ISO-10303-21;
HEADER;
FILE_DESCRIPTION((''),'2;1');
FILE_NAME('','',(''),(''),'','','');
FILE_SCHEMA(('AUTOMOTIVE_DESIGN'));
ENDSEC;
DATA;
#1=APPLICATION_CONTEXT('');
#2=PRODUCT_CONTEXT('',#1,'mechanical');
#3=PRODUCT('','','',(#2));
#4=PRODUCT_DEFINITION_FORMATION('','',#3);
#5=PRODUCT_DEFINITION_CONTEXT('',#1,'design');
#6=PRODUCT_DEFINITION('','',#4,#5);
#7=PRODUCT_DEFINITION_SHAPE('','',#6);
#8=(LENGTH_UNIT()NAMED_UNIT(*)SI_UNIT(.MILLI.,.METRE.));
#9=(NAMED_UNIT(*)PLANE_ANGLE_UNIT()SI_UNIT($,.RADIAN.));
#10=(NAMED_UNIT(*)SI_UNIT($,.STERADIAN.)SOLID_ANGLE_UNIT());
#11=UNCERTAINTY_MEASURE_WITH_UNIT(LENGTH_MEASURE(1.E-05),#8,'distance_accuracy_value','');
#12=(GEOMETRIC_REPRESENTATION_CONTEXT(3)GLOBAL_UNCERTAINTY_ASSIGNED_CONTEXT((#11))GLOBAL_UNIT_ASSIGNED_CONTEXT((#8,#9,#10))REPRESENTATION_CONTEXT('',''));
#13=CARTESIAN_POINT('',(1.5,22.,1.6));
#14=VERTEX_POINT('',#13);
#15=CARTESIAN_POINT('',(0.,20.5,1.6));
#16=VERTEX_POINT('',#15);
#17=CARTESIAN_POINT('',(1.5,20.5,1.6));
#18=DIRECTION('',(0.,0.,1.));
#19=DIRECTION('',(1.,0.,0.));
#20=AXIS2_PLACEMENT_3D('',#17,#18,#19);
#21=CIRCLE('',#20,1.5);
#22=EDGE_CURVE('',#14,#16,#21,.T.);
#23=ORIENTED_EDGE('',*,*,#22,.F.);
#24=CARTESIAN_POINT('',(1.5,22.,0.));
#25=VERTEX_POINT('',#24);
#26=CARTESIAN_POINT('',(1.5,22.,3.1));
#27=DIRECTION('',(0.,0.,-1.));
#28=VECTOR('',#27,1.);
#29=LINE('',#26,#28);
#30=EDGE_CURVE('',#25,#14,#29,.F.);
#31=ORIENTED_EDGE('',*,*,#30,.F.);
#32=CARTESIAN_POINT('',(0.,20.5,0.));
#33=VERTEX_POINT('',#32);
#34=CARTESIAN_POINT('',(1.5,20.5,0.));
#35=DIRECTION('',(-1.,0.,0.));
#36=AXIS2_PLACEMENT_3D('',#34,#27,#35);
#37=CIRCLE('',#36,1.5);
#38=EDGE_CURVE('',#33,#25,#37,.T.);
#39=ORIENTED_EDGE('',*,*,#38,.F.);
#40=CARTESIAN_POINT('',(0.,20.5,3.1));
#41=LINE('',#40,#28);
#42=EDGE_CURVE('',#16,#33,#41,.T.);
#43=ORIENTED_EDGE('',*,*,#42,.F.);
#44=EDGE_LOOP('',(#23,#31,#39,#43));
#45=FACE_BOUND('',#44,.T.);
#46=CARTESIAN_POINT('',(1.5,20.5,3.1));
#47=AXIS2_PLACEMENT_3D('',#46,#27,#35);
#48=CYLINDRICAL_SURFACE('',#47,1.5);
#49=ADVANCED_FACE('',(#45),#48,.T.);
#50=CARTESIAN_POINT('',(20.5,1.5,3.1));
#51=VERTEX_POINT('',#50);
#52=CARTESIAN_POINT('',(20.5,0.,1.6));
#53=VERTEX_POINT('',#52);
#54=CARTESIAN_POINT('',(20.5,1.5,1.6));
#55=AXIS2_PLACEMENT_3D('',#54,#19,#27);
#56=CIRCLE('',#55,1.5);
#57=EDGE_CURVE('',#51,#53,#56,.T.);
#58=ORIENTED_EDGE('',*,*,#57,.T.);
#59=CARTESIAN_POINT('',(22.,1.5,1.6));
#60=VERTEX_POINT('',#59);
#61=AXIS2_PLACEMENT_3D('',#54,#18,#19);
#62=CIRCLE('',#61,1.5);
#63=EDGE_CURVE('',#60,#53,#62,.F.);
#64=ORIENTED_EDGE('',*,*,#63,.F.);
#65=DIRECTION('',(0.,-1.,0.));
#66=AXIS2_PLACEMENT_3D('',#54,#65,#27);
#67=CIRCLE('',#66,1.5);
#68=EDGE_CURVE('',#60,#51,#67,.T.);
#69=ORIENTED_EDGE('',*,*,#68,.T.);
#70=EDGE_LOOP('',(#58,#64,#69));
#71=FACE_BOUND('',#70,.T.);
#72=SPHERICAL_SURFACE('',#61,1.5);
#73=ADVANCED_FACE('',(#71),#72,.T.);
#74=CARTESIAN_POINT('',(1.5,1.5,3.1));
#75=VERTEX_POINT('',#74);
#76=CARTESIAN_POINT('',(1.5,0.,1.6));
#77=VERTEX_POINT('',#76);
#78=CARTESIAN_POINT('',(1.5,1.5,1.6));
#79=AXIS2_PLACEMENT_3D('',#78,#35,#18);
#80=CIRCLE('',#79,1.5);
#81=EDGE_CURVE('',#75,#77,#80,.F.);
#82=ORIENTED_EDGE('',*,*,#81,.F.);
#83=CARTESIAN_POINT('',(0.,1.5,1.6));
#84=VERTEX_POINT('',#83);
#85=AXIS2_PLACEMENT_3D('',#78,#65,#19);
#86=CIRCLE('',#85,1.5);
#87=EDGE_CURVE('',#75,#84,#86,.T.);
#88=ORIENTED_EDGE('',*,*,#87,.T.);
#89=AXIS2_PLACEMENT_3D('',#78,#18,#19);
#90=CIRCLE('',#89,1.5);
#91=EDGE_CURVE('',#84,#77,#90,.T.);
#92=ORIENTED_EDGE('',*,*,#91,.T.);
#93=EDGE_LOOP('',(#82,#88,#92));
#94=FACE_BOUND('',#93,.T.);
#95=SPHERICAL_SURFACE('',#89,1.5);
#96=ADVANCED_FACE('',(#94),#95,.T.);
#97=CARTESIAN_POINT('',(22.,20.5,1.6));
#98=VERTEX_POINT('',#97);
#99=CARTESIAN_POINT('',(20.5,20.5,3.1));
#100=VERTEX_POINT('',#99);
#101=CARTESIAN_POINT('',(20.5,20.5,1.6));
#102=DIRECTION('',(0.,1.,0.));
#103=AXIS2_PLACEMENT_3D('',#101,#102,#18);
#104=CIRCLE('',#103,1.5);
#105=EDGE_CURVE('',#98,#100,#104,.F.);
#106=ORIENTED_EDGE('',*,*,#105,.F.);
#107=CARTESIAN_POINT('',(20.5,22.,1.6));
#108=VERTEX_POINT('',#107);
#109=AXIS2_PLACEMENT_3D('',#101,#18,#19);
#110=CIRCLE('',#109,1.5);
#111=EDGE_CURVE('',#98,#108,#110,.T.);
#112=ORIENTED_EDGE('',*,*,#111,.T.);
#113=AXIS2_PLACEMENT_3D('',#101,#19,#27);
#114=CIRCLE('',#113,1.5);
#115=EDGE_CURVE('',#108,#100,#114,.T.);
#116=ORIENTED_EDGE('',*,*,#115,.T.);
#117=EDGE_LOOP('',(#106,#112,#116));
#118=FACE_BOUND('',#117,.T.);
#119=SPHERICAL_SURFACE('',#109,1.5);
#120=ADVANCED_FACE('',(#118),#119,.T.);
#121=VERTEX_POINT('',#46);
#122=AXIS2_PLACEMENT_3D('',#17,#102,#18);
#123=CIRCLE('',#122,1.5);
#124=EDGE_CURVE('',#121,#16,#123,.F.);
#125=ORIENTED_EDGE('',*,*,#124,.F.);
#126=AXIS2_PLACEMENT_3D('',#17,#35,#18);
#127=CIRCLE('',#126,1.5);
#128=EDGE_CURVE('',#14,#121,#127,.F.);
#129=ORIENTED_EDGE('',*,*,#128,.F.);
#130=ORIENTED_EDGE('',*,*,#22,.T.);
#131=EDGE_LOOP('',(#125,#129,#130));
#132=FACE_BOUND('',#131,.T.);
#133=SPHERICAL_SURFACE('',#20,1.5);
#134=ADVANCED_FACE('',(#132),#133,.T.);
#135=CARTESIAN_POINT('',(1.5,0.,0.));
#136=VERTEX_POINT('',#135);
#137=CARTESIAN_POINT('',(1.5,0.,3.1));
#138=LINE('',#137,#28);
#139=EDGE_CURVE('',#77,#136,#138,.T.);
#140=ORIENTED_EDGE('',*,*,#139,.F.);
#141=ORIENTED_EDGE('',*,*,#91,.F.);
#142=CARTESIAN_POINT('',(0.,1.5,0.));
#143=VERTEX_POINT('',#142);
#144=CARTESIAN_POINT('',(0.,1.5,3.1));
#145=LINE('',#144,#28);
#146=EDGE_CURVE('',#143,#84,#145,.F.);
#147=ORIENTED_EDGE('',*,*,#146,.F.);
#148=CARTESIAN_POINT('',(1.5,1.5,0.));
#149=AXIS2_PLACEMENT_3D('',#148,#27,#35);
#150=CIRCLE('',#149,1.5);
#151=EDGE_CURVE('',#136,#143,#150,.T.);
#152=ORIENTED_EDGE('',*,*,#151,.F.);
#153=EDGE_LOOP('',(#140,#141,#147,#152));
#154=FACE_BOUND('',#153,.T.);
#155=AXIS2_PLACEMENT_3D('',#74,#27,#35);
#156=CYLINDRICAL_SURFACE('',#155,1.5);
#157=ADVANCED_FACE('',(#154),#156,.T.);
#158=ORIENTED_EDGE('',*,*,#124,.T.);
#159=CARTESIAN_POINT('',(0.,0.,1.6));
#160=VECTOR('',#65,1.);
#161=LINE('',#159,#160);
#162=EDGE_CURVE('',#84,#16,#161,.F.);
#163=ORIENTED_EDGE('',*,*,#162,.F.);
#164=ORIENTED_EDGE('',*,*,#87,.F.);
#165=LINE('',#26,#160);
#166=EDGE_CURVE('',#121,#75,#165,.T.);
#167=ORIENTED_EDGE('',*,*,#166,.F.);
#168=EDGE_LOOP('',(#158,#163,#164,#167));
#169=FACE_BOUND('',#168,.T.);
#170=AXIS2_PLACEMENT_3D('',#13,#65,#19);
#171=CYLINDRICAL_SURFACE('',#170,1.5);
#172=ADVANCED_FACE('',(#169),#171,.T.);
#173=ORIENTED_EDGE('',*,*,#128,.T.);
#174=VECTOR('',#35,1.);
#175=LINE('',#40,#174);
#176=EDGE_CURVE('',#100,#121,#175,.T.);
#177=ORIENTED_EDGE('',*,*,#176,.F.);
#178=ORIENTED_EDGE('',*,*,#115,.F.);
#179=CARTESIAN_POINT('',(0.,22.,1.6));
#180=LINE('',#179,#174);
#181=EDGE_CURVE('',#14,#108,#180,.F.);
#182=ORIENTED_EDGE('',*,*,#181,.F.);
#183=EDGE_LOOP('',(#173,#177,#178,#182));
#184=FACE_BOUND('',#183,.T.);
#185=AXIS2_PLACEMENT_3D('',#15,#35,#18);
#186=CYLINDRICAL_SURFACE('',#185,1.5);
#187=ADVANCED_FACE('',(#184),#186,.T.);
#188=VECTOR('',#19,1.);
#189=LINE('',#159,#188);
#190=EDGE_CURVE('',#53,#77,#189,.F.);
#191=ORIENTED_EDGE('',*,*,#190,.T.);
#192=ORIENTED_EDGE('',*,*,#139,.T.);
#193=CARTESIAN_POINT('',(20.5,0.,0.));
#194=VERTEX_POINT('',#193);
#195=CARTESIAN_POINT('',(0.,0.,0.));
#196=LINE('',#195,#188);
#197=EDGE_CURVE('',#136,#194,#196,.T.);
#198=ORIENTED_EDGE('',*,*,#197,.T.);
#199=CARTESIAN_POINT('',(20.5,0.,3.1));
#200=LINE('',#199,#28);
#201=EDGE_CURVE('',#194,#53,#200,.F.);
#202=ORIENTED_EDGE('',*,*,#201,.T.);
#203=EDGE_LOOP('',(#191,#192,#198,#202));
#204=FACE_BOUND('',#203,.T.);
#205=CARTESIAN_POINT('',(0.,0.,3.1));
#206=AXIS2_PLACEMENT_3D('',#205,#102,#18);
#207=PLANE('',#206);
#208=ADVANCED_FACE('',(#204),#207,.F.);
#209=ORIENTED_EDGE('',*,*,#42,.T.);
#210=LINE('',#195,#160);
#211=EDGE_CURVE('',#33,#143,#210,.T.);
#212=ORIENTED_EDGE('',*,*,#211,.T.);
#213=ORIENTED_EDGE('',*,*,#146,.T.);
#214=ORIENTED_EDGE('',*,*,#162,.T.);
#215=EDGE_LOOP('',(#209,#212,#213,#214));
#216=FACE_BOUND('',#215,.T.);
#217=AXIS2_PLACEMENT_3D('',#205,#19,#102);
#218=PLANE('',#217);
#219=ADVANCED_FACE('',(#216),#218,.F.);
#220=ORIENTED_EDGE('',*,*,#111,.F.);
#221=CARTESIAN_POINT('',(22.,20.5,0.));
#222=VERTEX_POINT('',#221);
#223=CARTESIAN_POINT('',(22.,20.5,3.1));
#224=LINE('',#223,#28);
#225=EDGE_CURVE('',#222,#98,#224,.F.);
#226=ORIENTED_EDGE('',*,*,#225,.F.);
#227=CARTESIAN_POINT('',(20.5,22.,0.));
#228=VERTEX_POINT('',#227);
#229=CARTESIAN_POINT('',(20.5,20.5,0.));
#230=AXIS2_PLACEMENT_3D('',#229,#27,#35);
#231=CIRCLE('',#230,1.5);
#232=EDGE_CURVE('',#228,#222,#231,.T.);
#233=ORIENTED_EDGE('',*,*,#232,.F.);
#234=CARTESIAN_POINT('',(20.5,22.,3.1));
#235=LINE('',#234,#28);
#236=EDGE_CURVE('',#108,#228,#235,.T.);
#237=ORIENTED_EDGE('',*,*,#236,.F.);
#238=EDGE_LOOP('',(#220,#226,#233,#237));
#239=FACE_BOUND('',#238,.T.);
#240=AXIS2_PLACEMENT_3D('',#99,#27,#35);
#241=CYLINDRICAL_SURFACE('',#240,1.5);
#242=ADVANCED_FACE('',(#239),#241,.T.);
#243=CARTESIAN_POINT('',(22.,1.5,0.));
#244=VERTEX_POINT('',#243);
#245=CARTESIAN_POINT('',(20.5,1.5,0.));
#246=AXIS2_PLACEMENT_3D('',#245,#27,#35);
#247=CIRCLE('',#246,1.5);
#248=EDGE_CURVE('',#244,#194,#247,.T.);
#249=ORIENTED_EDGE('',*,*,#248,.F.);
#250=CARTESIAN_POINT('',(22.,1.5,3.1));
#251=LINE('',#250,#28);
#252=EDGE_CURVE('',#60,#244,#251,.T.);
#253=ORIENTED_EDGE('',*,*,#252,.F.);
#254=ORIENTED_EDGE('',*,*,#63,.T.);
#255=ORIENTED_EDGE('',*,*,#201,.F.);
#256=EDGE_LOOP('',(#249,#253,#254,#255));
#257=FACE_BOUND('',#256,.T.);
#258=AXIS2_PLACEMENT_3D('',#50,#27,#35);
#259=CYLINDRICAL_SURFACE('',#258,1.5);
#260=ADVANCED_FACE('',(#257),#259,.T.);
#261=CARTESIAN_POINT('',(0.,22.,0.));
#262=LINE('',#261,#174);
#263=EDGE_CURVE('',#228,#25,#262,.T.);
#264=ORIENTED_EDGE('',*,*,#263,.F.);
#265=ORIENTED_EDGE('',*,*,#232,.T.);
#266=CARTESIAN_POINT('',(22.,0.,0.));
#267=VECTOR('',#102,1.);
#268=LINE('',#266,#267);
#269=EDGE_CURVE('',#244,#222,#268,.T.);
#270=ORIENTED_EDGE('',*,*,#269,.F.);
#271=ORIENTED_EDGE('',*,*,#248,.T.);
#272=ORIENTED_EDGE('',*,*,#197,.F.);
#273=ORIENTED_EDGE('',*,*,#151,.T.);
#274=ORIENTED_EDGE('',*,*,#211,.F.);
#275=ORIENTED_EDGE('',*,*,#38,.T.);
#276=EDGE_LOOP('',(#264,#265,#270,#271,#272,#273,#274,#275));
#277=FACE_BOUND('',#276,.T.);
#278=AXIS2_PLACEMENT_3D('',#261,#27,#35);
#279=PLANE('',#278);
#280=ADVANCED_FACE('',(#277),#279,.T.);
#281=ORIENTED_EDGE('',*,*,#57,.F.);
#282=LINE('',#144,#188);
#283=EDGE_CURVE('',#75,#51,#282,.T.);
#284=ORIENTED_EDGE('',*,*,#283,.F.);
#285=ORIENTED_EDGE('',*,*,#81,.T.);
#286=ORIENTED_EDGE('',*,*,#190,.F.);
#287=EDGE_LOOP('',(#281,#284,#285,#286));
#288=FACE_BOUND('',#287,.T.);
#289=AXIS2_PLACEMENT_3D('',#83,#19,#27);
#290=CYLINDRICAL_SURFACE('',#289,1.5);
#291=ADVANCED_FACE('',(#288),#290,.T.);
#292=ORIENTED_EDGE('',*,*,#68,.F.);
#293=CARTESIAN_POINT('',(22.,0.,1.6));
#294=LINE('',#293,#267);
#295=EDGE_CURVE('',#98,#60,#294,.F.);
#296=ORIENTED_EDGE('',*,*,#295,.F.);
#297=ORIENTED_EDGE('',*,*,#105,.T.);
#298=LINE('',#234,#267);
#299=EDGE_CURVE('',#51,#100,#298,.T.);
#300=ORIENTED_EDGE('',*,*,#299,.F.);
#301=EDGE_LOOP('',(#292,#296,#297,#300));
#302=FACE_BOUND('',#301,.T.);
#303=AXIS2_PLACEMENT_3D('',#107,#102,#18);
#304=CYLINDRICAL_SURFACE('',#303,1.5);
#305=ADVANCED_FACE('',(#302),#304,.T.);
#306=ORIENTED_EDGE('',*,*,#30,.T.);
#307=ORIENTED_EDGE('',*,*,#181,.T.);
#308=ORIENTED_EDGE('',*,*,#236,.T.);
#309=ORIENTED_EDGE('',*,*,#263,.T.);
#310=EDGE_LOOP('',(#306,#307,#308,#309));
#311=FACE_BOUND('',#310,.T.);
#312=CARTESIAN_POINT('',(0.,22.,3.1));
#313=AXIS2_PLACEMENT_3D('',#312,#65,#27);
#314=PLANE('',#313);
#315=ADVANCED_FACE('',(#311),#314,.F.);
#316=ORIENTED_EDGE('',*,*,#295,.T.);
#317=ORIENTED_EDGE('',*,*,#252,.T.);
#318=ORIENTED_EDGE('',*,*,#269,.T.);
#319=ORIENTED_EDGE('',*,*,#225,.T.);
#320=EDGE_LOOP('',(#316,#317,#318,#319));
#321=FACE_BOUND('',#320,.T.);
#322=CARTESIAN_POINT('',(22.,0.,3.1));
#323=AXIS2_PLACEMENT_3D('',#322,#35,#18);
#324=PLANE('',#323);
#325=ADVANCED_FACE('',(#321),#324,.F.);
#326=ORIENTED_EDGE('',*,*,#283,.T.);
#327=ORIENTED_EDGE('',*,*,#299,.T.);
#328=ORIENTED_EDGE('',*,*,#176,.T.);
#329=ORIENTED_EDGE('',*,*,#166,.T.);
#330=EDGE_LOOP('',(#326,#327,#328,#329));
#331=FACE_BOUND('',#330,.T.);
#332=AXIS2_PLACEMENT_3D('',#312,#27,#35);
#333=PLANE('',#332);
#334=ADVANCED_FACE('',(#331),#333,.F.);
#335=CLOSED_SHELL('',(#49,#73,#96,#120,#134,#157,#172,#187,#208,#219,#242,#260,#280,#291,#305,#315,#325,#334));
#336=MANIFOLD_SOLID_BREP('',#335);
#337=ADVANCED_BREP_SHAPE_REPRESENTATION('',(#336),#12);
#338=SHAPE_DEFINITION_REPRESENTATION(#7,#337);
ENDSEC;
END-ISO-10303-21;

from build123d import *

# Parameters (mm, degrees)
SKETCH1_W      = 22
SKETCH1_H      = 22
EXTRUDE1_DEPTH = 3.1
FILLET1_R      = 1.5


with BuildPart() as part:
    # Sketch1 → Extrude1 (new body)
    with BuildSketch(Plane.XY):
        with Locations((11, 11)):
            Rectangle(SKETCH1_W, SKETCH1_H)
    extrude(amount=EXTRUDE1_DEPTH)

    # Fillet1
    fillet1_edges = [part.edges().sort_by_distance(p)[0] for p in [
        (22, 11, 3.1),
        (11, 22, 3.1),
        (0, 11, 3.1),
        (11, 0, 3.1),
        (0, 22, 1.55),
        (22, 22, 1.55),
        (22, 0, 1.55),
        (0, 0, 1.55),
    ]]
    fillet(fillet1_edges, radius=FILLET1_R)


solid = part.part
